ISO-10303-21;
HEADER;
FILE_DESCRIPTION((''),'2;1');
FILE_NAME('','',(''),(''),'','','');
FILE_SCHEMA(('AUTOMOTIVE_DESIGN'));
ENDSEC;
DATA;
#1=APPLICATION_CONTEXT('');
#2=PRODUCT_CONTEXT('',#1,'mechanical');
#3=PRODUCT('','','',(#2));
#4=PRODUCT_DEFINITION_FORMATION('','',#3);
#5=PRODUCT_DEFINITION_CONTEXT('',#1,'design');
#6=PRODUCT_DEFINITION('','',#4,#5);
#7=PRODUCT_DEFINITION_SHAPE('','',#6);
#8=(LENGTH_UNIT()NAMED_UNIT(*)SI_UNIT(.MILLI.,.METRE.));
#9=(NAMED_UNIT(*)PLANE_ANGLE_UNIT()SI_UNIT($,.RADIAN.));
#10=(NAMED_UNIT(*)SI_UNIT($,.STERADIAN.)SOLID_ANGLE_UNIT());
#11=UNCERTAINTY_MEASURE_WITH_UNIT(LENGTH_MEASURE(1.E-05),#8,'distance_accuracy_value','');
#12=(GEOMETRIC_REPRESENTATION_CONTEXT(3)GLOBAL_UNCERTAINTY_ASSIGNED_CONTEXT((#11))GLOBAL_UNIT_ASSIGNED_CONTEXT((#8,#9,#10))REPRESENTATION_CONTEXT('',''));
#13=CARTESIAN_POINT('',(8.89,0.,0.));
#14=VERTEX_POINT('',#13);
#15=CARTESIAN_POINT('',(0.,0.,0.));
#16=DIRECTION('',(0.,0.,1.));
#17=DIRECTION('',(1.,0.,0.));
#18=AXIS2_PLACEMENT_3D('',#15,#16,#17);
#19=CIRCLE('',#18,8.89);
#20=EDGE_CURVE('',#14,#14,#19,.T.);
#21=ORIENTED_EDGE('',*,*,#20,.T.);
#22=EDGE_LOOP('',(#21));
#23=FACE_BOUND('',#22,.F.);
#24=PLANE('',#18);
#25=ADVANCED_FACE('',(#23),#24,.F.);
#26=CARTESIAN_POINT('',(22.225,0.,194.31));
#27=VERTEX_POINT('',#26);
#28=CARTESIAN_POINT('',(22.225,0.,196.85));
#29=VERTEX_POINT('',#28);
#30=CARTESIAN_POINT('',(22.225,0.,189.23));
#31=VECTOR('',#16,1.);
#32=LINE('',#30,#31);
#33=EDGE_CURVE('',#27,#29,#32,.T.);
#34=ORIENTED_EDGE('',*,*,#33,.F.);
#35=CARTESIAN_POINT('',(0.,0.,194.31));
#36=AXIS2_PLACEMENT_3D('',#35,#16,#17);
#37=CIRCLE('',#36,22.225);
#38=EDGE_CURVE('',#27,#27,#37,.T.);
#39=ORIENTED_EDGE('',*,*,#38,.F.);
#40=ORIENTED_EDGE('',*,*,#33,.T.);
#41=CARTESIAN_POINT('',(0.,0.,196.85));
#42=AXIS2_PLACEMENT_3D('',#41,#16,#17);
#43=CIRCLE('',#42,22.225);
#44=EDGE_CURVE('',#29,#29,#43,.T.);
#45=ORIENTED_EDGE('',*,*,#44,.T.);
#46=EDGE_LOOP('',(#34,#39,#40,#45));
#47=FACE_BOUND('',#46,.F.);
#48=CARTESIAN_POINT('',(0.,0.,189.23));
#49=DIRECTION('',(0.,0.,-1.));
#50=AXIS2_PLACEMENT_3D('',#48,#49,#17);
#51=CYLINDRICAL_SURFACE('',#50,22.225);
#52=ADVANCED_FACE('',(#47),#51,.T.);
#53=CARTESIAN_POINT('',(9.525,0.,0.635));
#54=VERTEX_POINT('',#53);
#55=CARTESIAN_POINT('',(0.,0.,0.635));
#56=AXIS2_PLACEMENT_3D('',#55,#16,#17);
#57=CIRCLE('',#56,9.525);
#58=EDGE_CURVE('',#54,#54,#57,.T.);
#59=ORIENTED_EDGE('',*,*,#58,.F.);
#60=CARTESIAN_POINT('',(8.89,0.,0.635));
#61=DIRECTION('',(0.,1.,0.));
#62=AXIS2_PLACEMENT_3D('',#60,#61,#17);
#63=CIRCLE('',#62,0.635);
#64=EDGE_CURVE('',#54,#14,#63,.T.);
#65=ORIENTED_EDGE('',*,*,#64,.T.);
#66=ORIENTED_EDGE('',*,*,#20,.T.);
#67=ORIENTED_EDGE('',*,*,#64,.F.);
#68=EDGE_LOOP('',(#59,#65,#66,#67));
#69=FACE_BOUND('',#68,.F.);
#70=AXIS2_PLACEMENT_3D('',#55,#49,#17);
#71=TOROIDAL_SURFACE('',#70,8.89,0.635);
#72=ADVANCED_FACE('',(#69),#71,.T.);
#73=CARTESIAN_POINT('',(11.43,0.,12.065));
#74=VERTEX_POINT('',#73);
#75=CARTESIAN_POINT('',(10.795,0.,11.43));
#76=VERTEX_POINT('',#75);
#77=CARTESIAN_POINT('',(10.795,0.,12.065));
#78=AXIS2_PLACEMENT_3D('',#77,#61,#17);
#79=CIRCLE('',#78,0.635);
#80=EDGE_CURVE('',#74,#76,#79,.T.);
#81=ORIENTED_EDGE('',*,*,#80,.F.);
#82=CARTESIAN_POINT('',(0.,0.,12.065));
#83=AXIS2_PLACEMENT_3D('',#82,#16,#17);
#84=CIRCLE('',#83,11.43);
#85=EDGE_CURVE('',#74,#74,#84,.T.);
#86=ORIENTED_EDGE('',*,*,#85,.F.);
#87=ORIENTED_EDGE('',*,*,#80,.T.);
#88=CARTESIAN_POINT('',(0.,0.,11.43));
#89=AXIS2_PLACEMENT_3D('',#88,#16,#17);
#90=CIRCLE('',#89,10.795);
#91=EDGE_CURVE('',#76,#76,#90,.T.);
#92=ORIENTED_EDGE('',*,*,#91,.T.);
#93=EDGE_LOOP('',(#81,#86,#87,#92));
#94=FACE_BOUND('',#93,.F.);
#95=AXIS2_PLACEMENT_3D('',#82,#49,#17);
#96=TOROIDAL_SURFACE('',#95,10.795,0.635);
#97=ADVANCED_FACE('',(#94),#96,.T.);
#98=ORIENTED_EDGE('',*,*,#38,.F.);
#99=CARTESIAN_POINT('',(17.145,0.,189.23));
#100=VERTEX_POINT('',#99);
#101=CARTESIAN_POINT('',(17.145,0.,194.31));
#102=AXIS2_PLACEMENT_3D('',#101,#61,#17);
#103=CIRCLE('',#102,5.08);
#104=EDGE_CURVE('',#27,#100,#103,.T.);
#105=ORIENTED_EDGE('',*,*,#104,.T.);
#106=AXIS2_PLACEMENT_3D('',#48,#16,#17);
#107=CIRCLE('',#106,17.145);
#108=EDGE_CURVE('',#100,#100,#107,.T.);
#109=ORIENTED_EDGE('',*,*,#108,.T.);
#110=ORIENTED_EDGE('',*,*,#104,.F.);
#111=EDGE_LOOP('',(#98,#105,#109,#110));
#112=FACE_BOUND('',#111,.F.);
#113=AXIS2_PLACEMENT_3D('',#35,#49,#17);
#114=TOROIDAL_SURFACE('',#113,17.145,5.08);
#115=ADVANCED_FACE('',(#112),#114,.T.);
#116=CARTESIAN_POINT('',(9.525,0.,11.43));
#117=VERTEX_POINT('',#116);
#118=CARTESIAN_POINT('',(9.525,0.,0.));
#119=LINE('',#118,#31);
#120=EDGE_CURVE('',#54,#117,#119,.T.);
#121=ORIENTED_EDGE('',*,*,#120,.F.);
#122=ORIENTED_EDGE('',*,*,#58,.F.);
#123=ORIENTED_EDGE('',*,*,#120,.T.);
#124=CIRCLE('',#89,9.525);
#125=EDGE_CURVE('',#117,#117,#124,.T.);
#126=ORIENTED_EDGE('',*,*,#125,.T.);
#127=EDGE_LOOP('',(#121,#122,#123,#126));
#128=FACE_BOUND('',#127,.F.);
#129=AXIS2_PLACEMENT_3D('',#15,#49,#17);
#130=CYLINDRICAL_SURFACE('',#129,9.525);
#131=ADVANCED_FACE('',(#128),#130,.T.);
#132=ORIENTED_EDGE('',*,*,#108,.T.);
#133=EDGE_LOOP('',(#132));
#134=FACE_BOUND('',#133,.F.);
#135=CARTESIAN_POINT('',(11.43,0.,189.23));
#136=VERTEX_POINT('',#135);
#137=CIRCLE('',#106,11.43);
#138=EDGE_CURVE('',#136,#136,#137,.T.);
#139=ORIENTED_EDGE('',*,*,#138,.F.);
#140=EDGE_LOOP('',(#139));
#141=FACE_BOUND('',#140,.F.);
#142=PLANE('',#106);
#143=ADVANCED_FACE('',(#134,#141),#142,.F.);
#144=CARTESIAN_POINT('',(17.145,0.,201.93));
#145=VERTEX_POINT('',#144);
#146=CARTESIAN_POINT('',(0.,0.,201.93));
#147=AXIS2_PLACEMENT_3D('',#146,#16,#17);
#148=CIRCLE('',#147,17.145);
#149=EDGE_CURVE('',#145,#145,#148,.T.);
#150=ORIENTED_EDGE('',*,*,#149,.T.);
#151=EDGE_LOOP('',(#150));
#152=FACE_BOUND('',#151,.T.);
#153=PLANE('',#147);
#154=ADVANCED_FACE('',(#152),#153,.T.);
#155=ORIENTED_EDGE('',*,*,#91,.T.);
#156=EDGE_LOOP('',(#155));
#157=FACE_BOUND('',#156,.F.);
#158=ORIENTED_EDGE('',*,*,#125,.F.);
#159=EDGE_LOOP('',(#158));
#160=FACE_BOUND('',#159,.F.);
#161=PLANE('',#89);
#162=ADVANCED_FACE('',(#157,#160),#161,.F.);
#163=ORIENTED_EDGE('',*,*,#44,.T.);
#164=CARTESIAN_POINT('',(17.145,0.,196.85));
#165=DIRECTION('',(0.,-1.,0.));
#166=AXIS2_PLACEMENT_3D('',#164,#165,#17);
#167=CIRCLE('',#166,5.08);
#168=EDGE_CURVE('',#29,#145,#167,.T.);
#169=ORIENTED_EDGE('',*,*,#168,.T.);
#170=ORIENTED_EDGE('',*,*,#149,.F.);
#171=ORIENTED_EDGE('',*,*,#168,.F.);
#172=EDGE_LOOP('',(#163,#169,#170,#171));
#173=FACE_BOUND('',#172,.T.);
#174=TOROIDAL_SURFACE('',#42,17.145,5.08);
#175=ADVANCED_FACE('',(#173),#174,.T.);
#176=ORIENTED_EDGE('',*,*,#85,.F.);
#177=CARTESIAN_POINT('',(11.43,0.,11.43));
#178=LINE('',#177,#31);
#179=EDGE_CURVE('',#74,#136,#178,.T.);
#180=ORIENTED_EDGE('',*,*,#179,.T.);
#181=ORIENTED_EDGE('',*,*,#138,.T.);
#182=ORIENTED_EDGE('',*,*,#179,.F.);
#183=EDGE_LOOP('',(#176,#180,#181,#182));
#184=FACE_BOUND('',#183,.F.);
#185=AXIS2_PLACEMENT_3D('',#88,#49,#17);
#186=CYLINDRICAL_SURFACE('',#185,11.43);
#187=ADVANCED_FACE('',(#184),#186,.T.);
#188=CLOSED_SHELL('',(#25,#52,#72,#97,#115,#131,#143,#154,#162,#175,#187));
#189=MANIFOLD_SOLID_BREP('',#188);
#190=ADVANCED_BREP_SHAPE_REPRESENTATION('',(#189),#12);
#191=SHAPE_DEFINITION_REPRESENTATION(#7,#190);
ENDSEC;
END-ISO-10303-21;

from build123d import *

# Parameters (mm, degrees)
F0_R     = 9.525
F1_DEPTH = 11.43
F2_R     = 11.43
F3_DEPTH = 177.8
F4_R     = 22.225
F5_DEPTH = 12.7
F6_R     = 5.08
F7_R     = 0.635


with BuildPart() as f1:
    # F0 (on Top) → F1 (new body)
    with BuildSketch(Plane.XY):
        Circle(F0_R)
    extrude(amount=F1_DEPTH)

    # F2 (on face) → F3 (join)
    with BuildSketch(Plane.XY.offset(11.43)):
        Circle(F2_R)
    extrude(amount=F3_DEPTH)

    # F4 (on face) → F5 (join)
    with BuildSketch(Plane.XY.offset(189.23)):
        Circle(F4_R)
    extrude(amount=F5_DEPTH)

    # F6
    f6_edges = [f1.edges().sort_by_distance(p)[0] for p in [
        (-22.225, 0, 201.93),
        (-22.225, 0, 189.23),
    ]]
    fillet(f6_edges, radius=F6_R)

    # F7
    f7_edges = [f1.edges().sort_by_distance(p)[0] for p in [
        (-11.43, 0, 11.43),
        (-9.525, 0, 0),
    ]]
    fillet(f7_edges, radius=F7_R)


solid = f1.part
